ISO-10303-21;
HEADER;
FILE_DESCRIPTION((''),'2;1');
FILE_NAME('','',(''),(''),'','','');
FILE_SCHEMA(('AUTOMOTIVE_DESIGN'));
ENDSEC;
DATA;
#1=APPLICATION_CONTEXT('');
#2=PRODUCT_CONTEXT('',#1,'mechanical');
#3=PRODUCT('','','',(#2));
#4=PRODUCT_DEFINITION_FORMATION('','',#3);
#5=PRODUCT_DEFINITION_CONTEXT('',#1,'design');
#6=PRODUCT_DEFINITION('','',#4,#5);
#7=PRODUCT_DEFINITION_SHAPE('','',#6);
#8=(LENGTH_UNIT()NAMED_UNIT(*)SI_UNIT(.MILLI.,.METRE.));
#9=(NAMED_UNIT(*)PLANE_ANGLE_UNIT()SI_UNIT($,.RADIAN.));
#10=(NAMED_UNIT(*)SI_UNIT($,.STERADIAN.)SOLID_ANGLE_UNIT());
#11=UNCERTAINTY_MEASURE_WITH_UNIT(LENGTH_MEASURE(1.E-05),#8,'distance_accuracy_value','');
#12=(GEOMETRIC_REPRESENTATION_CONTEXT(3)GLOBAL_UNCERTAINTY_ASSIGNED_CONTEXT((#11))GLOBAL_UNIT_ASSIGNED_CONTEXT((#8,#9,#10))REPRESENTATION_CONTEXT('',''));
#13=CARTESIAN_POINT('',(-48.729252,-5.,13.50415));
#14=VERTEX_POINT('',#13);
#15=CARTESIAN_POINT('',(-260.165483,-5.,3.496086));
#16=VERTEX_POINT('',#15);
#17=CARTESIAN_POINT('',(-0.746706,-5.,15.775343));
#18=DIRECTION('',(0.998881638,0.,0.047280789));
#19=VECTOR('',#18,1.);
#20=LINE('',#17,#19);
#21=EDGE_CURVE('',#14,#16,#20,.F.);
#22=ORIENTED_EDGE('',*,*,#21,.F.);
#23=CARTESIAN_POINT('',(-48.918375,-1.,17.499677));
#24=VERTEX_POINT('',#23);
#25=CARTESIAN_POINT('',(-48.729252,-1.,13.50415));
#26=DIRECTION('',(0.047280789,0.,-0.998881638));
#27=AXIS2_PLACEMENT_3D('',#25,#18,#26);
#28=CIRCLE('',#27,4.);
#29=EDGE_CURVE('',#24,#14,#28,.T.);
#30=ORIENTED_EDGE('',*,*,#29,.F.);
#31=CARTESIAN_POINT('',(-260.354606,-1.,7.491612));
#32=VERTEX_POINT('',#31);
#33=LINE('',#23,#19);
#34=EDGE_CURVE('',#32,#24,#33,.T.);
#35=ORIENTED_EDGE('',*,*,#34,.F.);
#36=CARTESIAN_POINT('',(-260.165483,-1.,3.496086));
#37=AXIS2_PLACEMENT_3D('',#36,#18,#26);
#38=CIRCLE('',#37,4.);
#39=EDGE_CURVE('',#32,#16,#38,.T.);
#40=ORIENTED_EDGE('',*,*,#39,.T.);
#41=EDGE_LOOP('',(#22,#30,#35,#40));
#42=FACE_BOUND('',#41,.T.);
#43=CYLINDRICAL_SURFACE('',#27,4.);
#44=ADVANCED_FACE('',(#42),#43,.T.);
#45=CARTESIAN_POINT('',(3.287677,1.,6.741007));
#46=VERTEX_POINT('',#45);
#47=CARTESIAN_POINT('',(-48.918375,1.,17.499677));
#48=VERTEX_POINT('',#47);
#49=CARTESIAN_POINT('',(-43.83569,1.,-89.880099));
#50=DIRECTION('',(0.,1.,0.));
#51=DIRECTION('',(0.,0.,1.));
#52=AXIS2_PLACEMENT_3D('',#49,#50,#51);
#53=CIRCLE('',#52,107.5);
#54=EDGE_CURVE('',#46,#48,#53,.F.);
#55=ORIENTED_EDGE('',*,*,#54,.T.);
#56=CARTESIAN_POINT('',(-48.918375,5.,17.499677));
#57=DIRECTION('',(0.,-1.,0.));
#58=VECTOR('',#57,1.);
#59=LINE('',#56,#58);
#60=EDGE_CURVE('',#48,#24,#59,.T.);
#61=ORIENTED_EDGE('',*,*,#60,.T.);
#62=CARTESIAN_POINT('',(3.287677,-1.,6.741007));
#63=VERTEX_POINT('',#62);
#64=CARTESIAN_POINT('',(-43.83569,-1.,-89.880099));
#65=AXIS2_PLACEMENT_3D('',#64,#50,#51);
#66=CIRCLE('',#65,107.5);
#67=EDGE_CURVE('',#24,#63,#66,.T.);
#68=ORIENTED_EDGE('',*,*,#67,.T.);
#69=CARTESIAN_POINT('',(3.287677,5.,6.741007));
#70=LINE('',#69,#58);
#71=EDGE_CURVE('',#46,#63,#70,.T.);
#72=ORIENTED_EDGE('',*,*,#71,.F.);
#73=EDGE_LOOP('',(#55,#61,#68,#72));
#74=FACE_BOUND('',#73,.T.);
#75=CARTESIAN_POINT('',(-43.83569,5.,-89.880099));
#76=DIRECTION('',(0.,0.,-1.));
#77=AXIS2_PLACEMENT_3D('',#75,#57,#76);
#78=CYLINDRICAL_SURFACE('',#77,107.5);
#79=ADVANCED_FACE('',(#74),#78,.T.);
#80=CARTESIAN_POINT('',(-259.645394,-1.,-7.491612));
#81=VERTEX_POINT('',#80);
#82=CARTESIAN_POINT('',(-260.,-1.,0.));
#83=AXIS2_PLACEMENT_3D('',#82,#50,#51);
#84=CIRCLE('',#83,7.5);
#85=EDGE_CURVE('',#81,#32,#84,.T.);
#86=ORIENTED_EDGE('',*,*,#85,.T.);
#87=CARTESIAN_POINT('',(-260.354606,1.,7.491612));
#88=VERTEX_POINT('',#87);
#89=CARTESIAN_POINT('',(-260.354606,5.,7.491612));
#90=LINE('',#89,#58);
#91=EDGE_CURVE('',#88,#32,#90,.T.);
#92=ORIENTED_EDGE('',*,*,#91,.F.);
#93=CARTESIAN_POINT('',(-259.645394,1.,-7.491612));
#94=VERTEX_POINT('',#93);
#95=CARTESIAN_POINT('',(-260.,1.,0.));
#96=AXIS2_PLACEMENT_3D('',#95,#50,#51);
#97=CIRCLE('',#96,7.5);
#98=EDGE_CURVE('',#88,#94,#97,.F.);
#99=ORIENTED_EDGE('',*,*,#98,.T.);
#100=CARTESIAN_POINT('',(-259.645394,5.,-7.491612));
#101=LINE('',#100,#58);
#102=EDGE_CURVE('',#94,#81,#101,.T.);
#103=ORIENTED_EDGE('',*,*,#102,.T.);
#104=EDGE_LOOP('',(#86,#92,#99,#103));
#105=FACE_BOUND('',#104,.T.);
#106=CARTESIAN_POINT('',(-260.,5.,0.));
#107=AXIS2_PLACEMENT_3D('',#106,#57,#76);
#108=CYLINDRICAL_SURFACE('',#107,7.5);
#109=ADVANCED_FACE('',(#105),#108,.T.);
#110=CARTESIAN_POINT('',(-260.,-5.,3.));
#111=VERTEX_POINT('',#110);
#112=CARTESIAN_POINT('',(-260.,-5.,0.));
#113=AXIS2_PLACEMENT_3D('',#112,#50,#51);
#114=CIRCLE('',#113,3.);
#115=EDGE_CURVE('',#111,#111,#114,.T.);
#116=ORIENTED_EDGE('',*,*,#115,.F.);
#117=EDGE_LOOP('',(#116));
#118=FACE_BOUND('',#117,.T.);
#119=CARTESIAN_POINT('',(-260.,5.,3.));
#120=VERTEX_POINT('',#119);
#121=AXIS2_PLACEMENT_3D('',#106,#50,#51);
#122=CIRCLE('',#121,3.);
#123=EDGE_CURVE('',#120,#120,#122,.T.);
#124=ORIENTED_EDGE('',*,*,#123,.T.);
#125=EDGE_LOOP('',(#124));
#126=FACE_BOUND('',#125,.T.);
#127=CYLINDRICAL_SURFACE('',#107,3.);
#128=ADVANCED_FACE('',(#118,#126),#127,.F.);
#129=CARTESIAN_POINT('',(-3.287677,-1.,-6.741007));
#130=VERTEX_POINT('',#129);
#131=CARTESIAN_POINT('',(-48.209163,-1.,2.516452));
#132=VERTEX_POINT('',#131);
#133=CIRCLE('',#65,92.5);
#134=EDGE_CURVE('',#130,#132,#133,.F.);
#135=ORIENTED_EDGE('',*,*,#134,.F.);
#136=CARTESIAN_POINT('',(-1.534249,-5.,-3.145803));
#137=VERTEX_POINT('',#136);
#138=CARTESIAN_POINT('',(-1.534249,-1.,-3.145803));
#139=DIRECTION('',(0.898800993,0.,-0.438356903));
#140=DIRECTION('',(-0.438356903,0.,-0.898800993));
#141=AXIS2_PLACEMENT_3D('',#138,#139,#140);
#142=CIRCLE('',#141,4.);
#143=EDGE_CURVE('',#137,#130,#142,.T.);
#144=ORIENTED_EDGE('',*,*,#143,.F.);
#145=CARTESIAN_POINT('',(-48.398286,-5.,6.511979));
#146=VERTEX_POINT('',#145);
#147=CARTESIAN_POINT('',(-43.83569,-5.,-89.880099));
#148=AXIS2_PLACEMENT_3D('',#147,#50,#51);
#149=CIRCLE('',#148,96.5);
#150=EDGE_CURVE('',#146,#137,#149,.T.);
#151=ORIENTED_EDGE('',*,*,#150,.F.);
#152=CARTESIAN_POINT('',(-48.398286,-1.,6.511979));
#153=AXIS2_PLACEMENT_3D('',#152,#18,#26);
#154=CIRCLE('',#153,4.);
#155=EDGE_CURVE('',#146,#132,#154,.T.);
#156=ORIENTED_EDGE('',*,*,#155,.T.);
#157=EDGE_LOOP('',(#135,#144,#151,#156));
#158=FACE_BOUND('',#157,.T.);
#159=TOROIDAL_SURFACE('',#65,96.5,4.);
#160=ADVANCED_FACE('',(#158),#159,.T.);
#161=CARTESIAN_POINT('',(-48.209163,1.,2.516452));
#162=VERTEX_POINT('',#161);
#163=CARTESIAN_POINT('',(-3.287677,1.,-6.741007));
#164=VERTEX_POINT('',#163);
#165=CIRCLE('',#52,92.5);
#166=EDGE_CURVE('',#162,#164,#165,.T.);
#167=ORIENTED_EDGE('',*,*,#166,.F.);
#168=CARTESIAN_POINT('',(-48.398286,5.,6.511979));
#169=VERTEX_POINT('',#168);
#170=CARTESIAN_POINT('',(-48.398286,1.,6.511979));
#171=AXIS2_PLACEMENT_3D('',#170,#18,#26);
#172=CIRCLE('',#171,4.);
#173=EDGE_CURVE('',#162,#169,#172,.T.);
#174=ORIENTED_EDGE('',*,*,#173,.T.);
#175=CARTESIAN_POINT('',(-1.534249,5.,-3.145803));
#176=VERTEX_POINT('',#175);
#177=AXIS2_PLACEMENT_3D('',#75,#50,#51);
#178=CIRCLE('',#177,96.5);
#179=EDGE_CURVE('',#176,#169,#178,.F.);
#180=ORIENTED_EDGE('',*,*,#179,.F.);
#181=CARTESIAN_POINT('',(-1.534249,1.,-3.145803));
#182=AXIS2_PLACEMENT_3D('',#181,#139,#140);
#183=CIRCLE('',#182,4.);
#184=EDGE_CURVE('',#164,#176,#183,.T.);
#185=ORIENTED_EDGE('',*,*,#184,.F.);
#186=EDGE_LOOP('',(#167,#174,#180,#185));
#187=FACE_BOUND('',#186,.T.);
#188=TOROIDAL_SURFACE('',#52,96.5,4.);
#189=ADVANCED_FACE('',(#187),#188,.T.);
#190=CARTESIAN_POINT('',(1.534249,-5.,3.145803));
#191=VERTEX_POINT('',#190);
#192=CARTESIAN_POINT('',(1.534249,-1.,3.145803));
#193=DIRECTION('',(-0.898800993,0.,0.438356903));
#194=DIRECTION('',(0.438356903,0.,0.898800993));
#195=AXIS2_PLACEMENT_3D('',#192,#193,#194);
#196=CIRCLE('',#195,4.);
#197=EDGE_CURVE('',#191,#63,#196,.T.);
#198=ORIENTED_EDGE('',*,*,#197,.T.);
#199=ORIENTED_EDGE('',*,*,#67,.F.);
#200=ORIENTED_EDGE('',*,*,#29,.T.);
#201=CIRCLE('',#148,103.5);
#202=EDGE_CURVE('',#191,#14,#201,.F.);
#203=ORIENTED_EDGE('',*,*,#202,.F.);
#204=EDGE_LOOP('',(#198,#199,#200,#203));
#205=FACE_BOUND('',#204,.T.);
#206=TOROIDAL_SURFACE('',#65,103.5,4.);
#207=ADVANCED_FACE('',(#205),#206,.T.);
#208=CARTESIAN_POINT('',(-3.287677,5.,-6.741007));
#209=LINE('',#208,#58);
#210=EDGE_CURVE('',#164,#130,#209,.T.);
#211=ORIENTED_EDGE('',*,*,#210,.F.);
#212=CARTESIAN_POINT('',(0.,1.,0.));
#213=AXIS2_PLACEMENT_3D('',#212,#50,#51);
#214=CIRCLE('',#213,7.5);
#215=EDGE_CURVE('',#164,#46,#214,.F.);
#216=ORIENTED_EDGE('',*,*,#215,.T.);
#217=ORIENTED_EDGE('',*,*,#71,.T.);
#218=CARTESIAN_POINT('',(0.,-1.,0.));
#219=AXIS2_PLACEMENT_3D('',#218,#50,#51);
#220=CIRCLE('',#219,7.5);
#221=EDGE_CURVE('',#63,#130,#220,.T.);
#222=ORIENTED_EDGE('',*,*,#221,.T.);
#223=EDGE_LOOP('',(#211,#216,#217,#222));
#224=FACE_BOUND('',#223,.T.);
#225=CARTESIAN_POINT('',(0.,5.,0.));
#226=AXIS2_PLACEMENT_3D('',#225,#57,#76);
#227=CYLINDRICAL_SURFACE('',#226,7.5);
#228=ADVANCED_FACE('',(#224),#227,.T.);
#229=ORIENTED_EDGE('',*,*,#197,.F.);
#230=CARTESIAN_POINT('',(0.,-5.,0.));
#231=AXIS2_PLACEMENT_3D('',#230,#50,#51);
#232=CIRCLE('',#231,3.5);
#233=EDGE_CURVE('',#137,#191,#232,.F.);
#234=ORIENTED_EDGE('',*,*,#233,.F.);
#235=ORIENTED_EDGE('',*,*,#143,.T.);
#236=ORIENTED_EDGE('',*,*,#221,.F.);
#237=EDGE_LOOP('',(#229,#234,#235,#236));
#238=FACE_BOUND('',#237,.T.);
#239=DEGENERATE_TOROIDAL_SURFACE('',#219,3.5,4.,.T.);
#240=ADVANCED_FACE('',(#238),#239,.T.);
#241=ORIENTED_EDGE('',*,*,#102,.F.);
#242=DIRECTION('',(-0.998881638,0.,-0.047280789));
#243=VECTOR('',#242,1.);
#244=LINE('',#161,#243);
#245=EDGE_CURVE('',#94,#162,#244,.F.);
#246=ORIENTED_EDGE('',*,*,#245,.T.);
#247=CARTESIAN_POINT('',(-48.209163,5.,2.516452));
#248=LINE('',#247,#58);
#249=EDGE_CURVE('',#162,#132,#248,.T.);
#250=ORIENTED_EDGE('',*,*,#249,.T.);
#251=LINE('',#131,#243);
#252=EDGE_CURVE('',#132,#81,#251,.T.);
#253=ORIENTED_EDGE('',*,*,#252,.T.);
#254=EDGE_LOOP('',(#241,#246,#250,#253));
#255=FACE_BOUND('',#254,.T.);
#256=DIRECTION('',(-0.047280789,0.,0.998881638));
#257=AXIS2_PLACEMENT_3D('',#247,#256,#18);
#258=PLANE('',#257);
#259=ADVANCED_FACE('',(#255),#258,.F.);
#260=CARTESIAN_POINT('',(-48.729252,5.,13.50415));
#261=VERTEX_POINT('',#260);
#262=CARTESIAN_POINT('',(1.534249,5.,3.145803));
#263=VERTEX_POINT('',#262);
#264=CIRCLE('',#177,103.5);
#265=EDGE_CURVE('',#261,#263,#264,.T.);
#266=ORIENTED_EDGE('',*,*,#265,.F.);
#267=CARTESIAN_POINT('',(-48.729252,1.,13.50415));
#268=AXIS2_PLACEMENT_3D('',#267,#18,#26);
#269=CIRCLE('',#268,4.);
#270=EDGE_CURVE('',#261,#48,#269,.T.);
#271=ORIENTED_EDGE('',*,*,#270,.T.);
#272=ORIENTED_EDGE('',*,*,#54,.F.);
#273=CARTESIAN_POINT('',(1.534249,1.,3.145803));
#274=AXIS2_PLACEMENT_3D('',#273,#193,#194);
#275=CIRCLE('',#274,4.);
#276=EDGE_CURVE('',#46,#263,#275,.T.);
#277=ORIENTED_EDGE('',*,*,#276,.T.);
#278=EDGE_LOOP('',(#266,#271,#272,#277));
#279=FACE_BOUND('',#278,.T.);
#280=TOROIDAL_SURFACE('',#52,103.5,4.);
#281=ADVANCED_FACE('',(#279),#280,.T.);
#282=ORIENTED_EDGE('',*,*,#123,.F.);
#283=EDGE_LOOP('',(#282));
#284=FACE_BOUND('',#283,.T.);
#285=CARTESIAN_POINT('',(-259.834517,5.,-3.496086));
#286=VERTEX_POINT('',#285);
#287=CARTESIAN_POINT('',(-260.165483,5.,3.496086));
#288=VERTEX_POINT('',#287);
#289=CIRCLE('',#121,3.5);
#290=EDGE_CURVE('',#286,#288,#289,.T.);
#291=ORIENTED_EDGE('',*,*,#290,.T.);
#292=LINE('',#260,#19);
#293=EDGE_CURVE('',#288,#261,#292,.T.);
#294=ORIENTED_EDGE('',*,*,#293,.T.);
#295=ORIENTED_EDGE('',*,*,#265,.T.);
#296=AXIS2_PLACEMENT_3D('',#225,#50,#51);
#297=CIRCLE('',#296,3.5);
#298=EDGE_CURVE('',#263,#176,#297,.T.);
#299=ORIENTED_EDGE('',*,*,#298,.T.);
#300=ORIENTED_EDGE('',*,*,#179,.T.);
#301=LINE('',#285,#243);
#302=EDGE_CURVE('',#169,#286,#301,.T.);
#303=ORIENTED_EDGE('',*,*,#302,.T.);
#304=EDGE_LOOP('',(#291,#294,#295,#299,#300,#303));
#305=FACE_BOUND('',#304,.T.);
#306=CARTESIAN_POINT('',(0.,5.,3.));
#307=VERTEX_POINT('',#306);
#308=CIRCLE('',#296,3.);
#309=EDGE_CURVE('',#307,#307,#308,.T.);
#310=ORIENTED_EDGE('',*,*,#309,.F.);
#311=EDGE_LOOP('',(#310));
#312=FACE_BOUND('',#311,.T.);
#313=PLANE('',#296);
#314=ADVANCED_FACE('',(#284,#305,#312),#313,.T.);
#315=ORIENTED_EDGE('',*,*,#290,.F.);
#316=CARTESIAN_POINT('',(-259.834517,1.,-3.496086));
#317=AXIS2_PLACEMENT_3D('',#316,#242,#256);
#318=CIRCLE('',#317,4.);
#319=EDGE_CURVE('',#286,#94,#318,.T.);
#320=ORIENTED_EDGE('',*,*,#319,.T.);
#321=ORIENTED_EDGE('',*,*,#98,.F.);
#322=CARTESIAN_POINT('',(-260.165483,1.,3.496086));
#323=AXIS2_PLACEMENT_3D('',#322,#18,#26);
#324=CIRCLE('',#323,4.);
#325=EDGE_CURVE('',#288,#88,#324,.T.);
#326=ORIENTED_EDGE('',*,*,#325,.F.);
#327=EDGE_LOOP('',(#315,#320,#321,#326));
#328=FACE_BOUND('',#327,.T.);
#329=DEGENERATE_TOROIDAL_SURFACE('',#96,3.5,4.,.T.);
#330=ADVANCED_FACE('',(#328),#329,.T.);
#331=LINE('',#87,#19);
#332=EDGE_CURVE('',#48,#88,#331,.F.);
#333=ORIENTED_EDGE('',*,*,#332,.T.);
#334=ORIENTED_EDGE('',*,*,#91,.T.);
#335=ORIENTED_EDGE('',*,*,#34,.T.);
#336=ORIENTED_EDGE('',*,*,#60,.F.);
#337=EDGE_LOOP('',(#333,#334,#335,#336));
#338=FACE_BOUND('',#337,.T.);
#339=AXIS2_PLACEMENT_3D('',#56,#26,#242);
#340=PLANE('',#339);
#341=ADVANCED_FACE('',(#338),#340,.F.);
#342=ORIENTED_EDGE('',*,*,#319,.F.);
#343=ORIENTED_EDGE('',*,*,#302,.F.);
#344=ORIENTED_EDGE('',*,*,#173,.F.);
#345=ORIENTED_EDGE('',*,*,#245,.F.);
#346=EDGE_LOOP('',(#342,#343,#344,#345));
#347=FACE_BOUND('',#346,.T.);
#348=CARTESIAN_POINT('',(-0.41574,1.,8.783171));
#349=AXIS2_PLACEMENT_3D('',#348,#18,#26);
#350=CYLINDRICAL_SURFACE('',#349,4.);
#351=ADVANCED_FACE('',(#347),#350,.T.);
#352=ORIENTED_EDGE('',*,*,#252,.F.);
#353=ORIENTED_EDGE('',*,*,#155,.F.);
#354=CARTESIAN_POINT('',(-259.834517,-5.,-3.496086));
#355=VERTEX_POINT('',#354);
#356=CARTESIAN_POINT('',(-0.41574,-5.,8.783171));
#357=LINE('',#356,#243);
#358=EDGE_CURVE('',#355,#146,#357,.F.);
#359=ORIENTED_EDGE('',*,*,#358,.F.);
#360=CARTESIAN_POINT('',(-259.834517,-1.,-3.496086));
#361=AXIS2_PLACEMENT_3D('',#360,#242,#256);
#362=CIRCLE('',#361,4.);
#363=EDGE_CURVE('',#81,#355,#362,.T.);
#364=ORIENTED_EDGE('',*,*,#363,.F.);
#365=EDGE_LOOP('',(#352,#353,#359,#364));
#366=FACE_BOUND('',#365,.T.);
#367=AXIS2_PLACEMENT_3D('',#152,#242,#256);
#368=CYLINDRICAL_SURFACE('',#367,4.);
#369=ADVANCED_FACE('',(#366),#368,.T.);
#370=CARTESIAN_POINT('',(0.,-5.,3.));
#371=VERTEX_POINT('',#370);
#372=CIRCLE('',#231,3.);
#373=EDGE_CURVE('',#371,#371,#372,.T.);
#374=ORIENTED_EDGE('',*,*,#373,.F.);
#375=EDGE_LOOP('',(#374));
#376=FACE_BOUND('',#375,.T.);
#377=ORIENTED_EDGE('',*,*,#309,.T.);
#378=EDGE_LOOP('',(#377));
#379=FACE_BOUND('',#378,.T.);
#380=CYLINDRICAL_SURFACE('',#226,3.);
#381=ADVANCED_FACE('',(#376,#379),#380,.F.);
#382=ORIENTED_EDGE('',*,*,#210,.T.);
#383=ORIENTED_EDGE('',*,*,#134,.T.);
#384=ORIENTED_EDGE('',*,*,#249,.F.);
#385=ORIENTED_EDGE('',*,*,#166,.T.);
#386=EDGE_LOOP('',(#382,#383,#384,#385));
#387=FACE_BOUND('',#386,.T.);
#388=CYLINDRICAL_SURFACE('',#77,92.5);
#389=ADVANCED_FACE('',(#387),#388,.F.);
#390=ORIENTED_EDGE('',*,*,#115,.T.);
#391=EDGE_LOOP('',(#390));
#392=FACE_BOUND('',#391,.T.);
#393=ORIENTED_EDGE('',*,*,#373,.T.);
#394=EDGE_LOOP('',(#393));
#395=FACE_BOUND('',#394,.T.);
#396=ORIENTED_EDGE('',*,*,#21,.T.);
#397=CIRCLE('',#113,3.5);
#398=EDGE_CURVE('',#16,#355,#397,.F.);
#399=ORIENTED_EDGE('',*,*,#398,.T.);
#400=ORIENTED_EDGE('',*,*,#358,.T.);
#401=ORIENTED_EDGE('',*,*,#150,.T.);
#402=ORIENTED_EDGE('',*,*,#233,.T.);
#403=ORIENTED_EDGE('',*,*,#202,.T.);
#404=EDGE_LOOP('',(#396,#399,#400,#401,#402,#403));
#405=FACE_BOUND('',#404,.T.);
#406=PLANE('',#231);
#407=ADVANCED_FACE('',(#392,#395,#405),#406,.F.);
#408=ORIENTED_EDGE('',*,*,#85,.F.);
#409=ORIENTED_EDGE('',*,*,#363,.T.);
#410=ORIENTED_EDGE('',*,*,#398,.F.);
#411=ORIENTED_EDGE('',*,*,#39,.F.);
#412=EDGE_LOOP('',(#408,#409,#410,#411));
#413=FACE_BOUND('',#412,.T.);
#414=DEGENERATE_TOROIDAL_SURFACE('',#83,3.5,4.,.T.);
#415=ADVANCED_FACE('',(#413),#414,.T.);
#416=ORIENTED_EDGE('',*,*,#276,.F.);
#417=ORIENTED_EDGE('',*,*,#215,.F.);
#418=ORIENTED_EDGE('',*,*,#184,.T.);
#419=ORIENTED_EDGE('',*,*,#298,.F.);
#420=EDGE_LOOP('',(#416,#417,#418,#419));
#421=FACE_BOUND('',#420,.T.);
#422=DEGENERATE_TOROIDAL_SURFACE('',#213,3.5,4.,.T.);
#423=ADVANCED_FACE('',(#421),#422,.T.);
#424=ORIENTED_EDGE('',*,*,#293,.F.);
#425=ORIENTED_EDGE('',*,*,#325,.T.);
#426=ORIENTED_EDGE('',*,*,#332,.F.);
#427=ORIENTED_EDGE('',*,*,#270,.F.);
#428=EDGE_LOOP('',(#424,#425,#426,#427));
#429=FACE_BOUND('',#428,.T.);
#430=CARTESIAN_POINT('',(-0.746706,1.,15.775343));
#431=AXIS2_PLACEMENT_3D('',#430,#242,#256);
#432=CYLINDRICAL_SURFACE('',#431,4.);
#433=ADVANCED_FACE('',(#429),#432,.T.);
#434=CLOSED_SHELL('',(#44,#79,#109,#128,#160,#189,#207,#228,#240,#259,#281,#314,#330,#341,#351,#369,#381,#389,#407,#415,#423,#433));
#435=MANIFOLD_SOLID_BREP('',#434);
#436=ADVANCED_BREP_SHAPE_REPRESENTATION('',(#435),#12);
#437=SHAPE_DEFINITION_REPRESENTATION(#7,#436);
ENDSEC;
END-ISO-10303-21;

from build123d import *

# Parameters (mm, degrees)
CROQUIS1_R              = 3
SALIENTE_EXTRUIR1_DEPTH = 5
REDONDEO7_R             = 4


with BuildPart() as part:
    # Croquis1 → Saliente-Extruir1 (new, symmetric)
    with BuildSketch(Plane(origin=(0, 0, 0), x_dir=(-1, 0, 0), z_dir=(0, 1, 0))):
        with BuildLine():
            Line((48.918375148, 17.499676772), (260.354605919, 7.491612286))
            ThreePointArc((260.354605919, 7.491612286), (267.491612286, -0.354605919), (259.645394081, -7.491612286))
            Line((259.645394081, -7.491612286), (48.20916331, 2.5164522))
            ThreePointArc((48.20916331, 2.5164522), (25.165540725, 0.716123081), (3.287676773, -6.741007449))
            ThreePointArc((3.287676773, -6.741007449), (-6.741007449, -3.287676773), (-3.287676773, 6.741007449))
            ThreePointArc((-3.287676773, 6.741007449), (22.137948899, 15.40740239), (48.918375148, 17.499676772))
        make_face()
        with Locations(Location((0, 0, 0), (0, 0, 90))):
            Circle(CROQUIS1_R, mode=Mode.SUBTRACT)
        with Locations(Location((260, 0, 0), (0, 0, 90))):
            Circle(CROQUIS1_R, mode=Mode.SUBTRACT)
    extrude(amount=SALIENTE_EXTRUIR1_DEPTH, both=True)

    # Redondeo7
    redondeo7_edges = [part.edges().sort_by_distance(p)[0] for p in [
        (-153.927278696, 5, -2.487580043),
        (-267.491612286, 5, -0.354605919),
        (-154.636490533, 5, 12.495644529),
        (-22.137948899, 5, 15.40740239),
        (6.741007449, 5, -3.287676773),
        (-22.137948899, -5, 15.40740239),
        (-154.636490533, -5, 12.495644529),
        (-267.491612286, -5, -0.354605919),
        (-153.927278696, -5, -2.487580043),
        (-25.165540725, -5, 0.716123081),
        (6.741007449, -5, -3.287676773),
        (-25.165540725, 5, 0.716123081),
    ]]
    fillet(redondeo7_edges, radius=REDONDEO7_R)


solid = part.part
